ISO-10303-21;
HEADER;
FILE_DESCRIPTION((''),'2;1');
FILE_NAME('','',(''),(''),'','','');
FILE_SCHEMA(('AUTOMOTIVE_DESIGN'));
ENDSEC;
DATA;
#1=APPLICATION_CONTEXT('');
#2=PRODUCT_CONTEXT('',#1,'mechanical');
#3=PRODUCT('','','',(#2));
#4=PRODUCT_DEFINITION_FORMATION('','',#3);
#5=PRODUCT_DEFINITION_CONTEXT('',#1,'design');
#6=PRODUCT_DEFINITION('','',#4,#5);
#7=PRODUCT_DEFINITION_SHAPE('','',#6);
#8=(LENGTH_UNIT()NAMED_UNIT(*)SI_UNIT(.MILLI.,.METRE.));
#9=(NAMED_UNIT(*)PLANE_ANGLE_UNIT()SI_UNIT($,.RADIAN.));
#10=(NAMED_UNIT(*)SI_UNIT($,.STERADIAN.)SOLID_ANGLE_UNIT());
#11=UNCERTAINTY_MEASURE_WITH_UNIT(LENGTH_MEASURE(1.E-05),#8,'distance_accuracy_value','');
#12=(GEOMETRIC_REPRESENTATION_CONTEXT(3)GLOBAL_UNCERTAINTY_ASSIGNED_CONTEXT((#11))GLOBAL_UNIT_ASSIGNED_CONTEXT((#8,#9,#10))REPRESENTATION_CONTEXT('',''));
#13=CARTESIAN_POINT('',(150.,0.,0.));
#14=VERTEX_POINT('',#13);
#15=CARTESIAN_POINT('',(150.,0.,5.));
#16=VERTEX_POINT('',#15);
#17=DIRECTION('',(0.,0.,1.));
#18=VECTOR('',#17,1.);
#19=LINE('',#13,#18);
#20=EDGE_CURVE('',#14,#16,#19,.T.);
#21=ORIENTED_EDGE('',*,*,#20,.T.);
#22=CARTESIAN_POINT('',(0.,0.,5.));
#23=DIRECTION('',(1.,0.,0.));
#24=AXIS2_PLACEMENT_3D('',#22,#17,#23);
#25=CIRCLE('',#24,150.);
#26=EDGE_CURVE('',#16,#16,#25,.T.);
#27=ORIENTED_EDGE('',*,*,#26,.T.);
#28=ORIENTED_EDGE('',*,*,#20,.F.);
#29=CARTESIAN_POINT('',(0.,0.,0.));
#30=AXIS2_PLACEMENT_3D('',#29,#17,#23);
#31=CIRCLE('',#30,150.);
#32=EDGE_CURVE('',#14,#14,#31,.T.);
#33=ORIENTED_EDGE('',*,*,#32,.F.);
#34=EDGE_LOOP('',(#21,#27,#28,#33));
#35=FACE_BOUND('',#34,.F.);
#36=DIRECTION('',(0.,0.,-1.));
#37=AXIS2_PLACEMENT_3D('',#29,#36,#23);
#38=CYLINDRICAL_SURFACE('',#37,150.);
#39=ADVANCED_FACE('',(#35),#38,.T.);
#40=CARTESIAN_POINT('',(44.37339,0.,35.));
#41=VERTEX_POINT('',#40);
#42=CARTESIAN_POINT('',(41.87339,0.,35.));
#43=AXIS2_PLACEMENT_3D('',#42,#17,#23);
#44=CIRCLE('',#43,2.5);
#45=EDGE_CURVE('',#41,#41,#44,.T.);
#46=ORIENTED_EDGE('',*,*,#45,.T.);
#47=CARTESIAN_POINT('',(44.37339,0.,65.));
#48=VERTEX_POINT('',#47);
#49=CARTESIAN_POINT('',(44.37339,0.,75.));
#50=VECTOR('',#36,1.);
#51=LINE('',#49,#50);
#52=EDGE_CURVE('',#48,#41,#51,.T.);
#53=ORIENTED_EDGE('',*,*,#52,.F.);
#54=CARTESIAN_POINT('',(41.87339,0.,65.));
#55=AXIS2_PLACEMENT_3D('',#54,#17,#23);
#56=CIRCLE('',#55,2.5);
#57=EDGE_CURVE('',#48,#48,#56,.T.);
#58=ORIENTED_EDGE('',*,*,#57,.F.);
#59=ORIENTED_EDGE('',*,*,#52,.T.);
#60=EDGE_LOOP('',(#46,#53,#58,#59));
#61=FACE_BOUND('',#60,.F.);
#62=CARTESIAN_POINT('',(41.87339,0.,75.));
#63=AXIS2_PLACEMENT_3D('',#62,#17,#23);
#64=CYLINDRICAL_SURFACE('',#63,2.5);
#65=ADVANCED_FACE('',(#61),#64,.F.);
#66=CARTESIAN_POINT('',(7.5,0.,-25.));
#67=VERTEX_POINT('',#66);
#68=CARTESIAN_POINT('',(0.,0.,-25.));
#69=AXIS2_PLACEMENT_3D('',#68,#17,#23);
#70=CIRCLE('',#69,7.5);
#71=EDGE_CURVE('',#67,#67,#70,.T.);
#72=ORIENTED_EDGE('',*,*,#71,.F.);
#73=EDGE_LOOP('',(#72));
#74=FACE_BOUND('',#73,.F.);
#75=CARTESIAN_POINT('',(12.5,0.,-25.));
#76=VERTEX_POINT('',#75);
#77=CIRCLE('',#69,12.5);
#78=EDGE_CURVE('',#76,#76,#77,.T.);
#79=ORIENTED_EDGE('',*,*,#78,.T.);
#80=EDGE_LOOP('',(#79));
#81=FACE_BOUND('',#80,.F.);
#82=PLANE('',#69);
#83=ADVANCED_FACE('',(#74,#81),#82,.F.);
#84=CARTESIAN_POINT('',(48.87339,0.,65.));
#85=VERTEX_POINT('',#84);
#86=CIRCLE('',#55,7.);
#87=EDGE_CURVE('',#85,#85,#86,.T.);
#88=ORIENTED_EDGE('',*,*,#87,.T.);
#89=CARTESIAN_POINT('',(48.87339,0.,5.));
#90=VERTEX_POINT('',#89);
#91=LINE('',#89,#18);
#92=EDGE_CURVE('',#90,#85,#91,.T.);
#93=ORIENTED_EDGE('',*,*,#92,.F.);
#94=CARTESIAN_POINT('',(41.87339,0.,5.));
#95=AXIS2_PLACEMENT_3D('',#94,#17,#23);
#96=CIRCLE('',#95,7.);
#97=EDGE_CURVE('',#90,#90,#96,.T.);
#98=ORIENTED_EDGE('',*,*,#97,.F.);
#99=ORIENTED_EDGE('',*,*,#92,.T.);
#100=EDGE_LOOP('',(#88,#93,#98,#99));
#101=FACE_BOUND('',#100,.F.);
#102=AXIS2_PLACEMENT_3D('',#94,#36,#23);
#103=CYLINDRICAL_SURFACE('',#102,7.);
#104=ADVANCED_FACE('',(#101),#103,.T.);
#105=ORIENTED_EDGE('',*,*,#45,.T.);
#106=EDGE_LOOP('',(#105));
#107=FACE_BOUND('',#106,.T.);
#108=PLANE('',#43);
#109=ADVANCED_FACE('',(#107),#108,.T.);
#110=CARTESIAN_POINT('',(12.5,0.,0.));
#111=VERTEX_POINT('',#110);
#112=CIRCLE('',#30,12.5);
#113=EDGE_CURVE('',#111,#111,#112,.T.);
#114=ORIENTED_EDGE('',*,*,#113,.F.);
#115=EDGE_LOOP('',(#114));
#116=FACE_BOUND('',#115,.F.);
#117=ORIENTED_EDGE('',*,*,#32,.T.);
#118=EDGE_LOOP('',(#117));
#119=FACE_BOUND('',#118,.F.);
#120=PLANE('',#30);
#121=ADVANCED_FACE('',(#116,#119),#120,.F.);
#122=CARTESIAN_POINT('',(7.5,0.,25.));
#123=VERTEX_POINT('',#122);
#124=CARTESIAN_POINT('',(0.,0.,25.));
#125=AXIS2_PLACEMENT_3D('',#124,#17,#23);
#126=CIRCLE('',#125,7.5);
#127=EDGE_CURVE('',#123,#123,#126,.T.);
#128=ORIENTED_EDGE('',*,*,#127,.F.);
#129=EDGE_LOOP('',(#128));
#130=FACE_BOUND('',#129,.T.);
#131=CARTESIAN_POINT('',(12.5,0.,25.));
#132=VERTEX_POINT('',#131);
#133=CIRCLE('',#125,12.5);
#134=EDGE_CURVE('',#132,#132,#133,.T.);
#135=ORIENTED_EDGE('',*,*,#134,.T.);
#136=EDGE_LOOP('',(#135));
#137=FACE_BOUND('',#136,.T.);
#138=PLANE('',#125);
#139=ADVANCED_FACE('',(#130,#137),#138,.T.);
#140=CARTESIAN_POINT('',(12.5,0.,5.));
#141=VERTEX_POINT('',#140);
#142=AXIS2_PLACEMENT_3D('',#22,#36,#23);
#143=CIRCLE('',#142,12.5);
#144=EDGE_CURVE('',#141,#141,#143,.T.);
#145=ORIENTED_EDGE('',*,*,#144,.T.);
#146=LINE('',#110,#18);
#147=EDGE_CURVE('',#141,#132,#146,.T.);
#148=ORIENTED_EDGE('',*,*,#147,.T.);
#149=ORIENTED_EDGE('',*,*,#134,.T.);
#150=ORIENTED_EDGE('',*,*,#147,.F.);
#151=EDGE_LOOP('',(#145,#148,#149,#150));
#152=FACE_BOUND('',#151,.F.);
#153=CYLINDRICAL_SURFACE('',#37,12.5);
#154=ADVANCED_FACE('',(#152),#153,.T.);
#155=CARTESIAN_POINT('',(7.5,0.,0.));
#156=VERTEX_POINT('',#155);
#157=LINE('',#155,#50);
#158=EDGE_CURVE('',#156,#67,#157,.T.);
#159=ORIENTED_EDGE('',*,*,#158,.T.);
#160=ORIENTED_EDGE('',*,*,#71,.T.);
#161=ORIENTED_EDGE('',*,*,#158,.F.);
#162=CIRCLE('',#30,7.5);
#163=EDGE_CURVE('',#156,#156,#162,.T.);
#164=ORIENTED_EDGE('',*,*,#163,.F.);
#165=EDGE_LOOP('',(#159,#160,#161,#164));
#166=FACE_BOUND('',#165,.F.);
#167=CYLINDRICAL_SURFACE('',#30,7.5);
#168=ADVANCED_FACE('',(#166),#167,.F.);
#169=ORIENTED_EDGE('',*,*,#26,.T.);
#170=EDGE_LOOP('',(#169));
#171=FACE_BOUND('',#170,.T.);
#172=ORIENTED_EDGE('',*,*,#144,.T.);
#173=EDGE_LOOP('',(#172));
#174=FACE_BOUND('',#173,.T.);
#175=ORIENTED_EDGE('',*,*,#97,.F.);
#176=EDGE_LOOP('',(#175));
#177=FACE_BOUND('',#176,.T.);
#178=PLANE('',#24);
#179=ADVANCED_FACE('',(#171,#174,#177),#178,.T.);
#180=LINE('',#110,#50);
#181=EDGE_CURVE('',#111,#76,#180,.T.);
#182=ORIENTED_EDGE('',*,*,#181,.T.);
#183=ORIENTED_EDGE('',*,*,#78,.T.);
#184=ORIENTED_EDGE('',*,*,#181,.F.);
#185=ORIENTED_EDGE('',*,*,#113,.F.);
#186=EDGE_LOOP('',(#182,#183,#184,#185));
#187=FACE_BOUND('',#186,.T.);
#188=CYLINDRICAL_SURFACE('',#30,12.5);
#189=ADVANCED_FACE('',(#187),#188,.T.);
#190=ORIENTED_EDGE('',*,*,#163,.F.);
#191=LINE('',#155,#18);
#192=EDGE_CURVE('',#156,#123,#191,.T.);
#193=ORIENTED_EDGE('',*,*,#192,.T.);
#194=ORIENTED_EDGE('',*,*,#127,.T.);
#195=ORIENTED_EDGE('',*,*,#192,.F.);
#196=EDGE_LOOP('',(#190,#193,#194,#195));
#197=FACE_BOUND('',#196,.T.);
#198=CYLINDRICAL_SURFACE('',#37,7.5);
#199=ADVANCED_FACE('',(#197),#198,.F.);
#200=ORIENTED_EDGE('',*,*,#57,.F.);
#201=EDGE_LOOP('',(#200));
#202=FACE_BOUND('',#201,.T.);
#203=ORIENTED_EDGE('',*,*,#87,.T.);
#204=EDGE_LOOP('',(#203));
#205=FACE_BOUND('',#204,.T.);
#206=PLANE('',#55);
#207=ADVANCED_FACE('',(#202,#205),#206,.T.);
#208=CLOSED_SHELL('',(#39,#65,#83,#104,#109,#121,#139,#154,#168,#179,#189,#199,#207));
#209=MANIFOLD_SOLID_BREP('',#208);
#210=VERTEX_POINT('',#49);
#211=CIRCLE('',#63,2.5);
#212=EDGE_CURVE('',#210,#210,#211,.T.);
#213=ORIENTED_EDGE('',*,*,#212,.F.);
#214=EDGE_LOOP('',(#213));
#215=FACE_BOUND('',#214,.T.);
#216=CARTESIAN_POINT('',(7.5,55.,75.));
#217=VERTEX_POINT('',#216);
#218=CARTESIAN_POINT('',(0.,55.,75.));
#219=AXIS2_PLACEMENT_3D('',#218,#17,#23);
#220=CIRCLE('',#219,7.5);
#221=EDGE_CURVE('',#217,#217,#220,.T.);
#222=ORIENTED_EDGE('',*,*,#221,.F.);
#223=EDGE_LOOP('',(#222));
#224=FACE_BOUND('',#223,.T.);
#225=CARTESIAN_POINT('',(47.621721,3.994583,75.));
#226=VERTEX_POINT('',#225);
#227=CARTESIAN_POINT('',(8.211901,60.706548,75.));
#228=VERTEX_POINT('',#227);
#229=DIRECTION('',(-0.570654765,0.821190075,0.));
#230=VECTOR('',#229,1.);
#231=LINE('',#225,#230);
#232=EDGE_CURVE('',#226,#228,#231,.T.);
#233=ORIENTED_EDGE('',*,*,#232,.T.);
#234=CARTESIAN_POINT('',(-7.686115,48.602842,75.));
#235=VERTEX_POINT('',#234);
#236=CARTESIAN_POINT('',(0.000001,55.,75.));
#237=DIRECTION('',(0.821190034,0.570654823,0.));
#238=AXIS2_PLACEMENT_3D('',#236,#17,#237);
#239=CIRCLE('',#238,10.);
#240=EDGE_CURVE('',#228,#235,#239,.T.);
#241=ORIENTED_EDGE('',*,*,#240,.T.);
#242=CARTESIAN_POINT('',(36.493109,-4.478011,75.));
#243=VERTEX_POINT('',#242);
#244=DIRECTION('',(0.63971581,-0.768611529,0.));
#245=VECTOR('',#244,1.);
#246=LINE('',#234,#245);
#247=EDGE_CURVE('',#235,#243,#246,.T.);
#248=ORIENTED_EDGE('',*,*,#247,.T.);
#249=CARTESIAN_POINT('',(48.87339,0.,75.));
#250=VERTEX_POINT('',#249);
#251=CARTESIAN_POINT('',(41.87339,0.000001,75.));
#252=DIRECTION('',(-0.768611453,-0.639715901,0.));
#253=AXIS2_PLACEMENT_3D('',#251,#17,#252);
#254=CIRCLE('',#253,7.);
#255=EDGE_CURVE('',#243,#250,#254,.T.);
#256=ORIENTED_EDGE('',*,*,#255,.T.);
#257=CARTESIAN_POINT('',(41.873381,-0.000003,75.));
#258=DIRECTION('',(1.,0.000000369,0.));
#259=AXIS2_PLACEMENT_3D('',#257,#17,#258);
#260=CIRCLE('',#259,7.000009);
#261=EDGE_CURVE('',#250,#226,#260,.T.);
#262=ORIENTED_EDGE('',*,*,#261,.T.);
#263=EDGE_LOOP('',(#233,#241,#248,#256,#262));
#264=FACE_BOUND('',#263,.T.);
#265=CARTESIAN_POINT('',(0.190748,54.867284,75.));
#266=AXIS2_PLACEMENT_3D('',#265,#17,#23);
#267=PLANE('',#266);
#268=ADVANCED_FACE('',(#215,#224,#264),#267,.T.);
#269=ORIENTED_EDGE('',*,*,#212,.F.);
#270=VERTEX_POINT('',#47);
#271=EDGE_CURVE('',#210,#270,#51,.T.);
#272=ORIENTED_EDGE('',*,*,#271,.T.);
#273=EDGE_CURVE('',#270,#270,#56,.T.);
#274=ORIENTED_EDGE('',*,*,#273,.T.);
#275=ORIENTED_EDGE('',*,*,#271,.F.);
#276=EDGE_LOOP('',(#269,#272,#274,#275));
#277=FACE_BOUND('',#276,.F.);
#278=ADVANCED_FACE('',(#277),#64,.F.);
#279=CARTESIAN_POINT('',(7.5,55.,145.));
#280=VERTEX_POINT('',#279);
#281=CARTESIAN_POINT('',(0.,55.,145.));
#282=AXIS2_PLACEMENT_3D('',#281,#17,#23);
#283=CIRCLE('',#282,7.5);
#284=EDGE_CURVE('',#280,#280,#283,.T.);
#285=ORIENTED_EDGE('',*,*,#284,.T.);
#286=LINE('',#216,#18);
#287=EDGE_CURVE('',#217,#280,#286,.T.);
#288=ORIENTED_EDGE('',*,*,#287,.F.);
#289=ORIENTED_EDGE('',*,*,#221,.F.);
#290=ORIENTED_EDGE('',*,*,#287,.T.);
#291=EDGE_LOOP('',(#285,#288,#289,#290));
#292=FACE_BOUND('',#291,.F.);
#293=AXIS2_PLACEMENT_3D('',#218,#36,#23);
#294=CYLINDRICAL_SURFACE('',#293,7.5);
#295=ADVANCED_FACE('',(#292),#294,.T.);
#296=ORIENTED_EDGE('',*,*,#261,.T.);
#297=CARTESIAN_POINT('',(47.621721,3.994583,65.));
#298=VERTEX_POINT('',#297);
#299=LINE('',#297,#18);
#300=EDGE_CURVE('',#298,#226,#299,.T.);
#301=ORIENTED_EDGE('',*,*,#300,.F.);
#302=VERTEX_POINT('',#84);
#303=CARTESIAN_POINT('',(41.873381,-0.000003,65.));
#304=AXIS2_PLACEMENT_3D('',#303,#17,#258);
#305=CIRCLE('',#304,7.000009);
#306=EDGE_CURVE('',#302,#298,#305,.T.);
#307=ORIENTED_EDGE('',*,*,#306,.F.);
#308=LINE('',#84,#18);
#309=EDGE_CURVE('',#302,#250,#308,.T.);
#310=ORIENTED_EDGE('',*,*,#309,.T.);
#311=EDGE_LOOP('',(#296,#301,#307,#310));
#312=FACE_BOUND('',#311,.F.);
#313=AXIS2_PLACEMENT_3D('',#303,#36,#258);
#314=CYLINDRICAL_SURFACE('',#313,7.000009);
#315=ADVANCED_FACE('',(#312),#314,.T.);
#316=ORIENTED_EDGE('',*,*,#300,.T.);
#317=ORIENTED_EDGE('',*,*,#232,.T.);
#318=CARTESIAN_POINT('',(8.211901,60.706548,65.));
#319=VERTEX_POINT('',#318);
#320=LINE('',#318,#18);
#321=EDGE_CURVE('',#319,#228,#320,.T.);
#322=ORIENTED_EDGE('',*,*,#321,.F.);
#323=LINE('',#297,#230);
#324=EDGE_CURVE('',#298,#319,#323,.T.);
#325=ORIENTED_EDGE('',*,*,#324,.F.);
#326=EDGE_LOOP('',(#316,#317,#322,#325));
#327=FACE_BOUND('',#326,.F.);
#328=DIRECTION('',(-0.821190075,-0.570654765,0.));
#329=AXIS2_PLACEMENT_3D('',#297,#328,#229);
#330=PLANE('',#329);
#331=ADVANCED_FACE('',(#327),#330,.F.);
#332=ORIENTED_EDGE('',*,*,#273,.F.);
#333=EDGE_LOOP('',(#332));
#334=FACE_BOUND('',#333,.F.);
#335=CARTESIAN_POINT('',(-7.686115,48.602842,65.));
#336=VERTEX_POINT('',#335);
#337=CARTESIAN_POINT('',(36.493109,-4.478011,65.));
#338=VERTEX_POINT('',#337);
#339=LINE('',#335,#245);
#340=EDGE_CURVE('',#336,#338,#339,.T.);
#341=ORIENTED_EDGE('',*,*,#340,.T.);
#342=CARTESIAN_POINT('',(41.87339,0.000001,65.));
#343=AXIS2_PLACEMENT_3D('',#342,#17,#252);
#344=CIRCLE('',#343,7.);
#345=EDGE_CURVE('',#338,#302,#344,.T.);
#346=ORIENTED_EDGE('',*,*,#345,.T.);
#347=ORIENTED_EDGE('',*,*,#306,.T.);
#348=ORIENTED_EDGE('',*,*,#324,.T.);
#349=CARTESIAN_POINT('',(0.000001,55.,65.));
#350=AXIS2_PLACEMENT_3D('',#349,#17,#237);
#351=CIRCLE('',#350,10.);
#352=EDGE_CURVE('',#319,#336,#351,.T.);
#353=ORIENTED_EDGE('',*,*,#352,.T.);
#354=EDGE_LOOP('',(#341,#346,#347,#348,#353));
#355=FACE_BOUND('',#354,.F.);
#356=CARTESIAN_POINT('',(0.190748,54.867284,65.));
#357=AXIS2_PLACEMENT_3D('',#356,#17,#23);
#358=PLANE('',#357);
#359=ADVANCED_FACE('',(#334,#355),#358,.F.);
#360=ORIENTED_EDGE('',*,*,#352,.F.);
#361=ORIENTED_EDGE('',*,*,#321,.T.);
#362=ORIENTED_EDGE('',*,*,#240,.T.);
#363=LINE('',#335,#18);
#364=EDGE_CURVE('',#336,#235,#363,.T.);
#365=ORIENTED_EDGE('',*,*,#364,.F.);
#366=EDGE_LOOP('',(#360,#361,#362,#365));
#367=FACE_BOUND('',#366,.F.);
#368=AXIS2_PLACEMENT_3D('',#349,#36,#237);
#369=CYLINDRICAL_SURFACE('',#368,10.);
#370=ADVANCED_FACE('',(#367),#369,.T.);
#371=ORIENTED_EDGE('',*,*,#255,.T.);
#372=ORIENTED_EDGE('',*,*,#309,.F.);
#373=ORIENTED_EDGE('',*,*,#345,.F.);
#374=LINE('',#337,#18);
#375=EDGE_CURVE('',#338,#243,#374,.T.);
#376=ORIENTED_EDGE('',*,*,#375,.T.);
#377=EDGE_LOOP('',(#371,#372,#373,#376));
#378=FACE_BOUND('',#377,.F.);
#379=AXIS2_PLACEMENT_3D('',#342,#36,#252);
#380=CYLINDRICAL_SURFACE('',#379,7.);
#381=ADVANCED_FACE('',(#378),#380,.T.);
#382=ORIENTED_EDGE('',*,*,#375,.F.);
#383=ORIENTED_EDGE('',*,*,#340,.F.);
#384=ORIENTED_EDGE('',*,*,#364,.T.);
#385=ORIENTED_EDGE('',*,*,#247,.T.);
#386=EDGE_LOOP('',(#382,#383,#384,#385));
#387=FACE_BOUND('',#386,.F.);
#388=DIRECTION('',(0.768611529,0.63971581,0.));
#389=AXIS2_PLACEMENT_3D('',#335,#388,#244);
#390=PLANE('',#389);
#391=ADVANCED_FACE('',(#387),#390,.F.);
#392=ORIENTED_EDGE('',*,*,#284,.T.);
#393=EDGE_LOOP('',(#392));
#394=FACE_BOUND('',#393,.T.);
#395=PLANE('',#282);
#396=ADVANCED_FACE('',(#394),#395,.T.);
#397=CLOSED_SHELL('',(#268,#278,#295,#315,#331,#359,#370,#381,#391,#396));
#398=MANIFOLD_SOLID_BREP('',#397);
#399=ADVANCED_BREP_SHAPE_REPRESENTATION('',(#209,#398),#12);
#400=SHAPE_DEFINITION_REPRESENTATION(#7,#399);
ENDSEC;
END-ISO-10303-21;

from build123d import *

# Parameters (mm, degrees)
F0_R      = 150
F1_DEPTH  = 5
F2_R      = 7.5
F3_DEPTH  = 5.001
F2_R_2    = 12.5
F4_DEPTH  = 25
F5_DEPTH  = 25
F6_R      = 7
F7_DEPTH  = 60
F9_DEPTH  = 10
F10_R     = 7.5
F11_DEPTH = 70
F12_R     = 2.5
F13_DEPTH = 40


with BuildPart() as f1:
    # F0 (on Top) → F1 (new body)
    with BuildSketch(Plane.XY):
        Circle(F0_R)
    extrude(amount=F1_DEPTH)

    # F2 (on Top) → F3 (cut, through all)
    with BuildSketch(Plane.XY):
        Circle(F2_R)
    extrude(amount=F3_DEPTH, mode=Mode.SUBTRACT)

    # F2 (on Top) → F4 (join)
    with BuildSketch(Plane.XY):
        Circle(F2_R_2)
        Circle(F2_R, mode=Mode.SUBTRACT)
    extrude(amount=F4_DEPTH)

    # F2 (on Top) → F5 (join)
    with BuildSketch(Plane.XY):
        Circle(F2_R_2)
        Circle(F2_R, mode=Mode.SUBTRACT)
    extrude(amount=-F5_DEPTH)

    # F6 (on face) → F7 (join)
    with BuildSketch(Plane.XY.offset(5)):
        with Locations((41.87339, 0)):
            Circle(F6_R)
    extrude(amount=F7_DEPTH)


with BuildPart() as f9:
    # F8 (on face) → F9 (new body)
    with BuildSketch(Plane.XY.offset(65)):
        with BuildLine():
            ThreePointArc((-7.686115, 48.602842), (3.401386, 45.596247), (10, 55))
            ThreePointArc((10, 55), (9.54251, 57.990066), (8.211901, 60.706548))
            ThreePointArc((8.211901, 60.706548), (-6.05756, 62.956504), (-7.686115, 48.602842))
        make_face()
        with BuildLine():
            ThreePointArc((8.211901, 60.706548), (9.54251, 57.990066), (10, 55))
            ThreePointArc((10, 55), (3.401386, 45.596247), (-7.686115, 48.602842))
            Line((-7.686115, 48.602842), (36.493109, -4.478011))
            ThreePointArc((36.493109, -4.478011), (37.633098, 5.569553), (47.621721, 3.994583))
            Line((47.621721, 3.994583), (8.211901, 60.706548))
        make_face()
        with BuildLine():
            ThreePointArc((48.87339, 0), (48.553147, 2.093046), (47.621721, 3.994583))
            ThreePointArc((47.621721, 3.994583), (37.633098, 5.569553), (36.493109, -4.478011))
            ThreePointArc((36.493109, -4.478011), (44.25436, -6.582627), (48.87339, 0))
        make_face()
    extrude(amount=F9_DEPTH)

    # F10 (on face) → F11 (join)
    with BuildSketch(Plane.XY.offset(75)):
        with Locations((0, 55)):
            Circle(F10_R)
    extrude(amount=F11_DEPTH)


with BuildPart() as f13_tool:
    # F12 (on face) → F13 (new body)
    with BuildSketch(Plane.XY.offset(75)):
        with Locations((41.87339, 0)):
            Circle(F12_R)
    extrude(amount=-F13_DEPTH)


with BuildPart() as f1_1:
    add(f1.part)

    # F13: cut by f13_tool
    add(f13_tool.part, mode=Mode.SUBTRACT)


with BuildPart() as f9_1:
    add(f9.part)

    # F13: cut by f13_tool
    add(f13_tool.part, mode=Mode.SUBTRACT)


solid = Compound([f1_1.part, f9_1.part])
